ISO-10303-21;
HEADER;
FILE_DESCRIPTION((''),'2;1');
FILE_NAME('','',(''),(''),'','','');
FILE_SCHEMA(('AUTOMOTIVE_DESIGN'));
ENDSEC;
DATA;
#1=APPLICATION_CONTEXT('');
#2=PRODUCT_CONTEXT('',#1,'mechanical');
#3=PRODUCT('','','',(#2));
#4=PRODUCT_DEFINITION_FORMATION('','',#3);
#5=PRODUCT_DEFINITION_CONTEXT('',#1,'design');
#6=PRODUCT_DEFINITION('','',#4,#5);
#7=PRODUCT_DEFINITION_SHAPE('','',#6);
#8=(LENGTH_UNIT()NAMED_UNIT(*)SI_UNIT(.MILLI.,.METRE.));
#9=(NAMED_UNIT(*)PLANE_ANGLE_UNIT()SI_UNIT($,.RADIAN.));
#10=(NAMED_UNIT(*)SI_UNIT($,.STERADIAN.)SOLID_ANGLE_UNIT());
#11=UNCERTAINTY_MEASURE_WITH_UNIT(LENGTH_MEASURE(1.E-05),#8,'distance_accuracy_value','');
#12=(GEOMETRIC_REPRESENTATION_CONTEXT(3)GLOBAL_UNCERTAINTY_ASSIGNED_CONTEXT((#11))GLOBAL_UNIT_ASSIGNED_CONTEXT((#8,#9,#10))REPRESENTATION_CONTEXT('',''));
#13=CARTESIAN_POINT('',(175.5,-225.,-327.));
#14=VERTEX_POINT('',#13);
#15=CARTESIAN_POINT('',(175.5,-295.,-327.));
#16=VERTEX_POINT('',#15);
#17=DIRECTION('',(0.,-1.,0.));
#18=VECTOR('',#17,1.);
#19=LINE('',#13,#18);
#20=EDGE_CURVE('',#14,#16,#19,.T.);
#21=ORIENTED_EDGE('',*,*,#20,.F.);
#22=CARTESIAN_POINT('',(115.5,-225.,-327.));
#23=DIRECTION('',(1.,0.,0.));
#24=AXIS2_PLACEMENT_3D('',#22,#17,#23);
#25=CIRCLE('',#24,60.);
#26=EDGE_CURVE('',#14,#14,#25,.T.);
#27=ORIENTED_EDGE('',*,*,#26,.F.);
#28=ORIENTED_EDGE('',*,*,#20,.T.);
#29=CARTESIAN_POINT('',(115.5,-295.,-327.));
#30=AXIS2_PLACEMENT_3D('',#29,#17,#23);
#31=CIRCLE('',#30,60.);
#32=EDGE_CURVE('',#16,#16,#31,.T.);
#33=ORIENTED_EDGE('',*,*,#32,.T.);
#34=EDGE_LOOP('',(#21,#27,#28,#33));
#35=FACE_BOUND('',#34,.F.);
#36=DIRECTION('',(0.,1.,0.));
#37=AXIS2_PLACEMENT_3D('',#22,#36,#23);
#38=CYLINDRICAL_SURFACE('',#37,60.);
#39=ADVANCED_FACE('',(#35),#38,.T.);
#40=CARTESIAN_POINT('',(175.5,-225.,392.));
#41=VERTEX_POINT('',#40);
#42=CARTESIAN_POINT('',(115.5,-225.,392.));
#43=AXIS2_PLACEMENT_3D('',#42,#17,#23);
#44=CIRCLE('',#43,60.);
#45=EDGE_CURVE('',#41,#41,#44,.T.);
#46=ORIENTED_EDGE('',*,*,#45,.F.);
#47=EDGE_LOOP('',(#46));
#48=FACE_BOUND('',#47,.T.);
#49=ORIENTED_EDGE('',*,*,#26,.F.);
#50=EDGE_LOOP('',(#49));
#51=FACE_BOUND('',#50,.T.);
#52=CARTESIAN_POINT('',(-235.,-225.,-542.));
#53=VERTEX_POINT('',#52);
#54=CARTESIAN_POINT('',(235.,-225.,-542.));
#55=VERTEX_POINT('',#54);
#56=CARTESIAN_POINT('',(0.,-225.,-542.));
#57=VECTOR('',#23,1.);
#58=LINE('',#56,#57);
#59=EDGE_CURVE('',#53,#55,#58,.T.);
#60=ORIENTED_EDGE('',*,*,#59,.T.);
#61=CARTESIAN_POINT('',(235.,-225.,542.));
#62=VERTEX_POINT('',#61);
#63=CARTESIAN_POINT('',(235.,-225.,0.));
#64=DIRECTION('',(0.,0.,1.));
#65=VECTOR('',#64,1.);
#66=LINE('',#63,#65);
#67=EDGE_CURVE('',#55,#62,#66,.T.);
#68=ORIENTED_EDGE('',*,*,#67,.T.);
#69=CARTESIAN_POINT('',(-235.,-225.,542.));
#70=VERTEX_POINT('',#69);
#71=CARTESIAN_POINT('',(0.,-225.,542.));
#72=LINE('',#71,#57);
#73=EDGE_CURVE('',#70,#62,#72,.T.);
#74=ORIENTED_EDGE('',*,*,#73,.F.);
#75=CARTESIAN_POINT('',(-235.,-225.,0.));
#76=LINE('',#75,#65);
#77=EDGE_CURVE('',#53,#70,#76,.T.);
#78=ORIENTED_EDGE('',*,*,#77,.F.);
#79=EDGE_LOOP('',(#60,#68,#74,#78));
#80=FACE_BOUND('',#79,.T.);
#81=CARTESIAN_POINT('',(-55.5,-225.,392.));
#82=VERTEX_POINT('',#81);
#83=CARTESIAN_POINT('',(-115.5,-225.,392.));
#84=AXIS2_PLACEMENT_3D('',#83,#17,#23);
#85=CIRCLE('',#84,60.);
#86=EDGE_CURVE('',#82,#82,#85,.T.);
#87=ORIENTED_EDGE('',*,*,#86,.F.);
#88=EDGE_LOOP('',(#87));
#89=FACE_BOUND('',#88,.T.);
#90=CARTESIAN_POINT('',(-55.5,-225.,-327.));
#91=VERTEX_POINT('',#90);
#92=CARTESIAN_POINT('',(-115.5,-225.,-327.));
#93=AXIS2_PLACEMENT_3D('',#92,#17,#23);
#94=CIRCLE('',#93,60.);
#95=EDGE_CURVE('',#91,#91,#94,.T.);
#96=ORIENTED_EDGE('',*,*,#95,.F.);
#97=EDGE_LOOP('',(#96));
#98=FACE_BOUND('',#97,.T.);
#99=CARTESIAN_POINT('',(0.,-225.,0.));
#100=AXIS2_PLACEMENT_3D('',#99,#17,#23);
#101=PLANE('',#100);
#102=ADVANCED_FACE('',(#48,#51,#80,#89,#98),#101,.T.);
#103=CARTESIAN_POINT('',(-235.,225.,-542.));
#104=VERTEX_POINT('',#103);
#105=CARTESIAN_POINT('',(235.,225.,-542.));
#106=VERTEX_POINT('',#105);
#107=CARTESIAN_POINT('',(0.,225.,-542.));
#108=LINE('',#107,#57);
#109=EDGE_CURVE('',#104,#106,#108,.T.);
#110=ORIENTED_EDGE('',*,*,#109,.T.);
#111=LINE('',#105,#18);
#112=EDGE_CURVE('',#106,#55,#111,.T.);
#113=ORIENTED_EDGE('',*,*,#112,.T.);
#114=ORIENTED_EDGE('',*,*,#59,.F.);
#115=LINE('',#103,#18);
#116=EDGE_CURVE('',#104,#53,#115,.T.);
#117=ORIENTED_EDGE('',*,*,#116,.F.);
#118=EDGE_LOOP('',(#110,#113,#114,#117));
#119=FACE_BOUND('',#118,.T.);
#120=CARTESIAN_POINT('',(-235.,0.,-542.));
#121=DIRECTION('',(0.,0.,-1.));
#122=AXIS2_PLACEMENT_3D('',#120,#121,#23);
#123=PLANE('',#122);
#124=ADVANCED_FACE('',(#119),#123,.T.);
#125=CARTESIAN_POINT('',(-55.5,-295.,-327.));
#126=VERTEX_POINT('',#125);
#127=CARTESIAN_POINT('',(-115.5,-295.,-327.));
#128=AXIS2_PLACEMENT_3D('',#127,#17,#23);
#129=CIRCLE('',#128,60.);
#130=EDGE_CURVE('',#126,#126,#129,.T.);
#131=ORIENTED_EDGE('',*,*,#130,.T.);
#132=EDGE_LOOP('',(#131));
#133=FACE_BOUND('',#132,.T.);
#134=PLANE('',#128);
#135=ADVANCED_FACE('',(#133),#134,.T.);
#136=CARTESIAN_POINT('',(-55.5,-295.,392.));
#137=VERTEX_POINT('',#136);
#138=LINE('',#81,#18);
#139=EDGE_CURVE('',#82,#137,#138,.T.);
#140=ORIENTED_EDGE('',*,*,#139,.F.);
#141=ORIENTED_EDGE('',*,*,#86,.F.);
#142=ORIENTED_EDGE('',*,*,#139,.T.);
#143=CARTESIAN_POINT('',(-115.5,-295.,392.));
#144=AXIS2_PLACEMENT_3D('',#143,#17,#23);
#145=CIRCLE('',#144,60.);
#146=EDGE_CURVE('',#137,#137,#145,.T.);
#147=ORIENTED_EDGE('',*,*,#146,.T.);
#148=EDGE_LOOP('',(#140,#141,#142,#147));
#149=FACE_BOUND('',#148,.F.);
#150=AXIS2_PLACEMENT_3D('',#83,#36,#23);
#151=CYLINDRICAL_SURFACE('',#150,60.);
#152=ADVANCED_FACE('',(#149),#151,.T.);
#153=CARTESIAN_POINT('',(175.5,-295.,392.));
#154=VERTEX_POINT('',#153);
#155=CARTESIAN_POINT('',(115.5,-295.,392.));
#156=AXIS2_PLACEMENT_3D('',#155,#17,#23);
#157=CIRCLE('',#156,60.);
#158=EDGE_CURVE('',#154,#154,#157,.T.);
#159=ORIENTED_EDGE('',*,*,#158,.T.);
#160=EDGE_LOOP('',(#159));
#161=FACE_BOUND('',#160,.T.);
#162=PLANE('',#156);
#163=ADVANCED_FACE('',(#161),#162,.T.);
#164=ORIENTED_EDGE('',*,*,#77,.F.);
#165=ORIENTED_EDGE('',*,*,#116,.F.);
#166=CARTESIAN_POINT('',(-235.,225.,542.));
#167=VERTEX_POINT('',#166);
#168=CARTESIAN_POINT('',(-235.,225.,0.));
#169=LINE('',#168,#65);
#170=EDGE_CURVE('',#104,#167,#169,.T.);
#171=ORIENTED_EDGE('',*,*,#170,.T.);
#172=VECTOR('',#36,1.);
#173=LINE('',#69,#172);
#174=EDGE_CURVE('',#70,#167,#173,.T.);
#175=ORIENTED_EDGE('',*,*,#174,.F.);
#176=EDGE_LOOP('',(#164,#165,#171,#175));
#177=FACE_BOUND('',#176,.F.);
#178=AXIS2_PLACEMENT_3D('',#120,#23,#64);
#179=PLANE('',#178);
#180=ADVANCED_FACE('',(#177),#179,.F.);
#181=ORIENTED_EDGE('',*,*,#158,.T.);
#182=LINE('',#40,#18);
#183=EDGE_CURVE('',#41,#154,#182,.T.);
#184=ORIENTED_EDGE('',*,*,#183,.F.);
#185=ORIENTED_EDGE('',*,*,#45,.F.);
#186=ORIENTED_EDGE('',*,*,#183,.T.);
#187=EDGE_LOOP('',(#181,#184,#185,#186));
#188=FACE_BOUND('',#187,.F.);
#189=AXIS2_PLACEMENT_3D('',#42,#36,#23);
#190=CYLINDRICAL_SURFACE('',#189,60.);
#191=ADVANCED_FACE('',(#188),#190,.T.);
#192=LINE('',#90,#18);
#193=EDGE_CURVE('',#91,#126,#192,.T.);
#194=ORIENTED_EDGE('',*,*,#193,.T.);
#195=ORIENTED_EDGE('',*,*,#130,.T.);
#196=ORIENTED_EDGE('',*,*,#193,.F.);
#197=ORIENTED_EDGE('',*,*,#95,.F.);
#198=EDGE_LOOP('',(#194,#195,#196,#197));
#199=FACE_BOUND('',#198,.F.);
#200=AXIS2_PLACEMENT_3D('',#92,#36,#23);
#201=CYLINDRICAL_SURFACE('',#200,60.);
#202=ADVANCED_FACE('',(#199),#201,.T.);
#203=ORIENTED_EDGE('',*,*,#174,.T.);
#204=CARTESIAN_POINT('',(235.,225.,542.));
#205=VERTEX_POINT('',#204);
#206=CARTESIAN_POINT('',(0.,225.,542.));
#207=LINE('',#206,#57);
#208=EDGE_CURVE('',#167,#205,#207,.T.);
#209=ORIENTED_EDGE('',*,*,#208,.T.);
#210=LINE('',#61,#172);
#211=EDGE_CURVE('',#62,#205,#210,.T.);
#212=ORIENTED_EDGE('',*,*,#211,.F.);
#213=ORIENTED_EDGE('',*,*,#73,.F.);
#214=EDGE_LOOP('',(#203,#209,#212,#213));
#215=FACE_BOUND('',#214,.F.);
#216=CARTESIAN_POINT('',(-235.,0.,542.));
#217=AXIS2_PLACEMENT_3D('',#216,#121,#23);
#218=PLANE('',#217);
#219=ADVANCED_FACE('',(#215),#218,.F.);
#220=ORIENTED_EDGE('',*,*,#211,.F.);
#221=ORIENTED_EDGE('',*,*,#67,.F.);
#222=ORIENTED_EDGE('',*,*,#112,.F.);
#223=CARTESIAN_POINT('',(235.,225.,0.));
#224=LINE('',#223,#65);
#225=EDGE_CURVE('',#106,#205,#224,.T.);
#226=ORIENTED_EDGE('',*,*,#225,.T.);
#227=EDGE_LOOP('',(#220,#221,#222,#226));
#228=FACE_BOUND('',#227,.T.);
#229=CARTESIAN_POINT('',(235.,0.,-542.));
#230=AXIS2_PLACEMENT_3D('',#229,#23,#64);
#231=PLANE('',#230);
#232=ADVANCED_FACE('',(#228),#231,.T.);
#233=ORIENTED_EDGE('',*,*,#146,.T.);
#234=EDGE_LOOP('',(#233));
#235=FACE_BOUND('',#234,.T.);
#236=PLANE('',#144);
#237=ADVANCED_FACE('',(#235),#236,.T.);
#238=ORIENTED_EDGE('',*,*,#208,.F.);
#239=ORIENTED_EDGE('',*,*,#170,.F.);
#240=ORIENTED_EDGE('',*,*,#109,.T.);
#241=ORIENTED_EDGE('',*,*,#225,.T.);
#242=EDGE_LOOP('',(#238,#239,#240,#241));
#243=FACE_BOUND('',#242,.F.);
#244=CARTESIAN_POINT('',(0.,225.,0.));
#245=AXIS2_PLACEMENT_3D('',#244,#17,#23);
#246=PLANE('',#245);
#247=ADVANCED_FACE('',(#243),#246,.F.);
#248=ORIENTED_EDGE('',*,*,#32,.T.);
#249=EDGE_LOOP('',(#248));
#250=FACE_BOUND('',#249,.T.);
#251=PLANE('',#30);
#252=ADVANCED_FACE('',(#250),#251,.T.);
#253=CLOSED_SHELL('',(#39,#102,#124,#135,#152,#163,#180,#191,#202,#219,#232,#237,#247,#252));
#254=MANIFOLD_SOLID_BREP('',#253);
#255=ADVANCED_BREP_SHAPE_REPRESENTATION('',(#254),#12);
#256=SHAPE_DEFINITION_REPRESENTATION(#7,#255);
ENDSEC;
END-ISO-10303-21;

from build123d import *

# Parameters (mm, degrees)
F0_W     = 470
F0_H     = 1084
F1_DEPTH = 225
F2_R     = 60
F3_DEPTH = 70


with BuildPart() as f1:
    # F0 (on Front) → F1 (new body, symmetric)
    with BuildSketch(Plane.XZ):
        Rectangle(F0_W, F0_H)
    extrude(amount=F1_DEPTH, both=True)

    # F2 (on face) → F3 (join)
    with BuildSketch(Plane.XZ.offset(225)):
        with Locations((-115.5, 392)):
            Circle(F2_R)
        with Locations((-115.5, -327)):
            Circle(F2_R)
        with Locations((115.5, 392)):
            Circle(F2_R)
        with Locations((115.5, -327)):
            Circle(F2_R)
    extrude(amount=F3_DEPTH)


solid = f1.part
